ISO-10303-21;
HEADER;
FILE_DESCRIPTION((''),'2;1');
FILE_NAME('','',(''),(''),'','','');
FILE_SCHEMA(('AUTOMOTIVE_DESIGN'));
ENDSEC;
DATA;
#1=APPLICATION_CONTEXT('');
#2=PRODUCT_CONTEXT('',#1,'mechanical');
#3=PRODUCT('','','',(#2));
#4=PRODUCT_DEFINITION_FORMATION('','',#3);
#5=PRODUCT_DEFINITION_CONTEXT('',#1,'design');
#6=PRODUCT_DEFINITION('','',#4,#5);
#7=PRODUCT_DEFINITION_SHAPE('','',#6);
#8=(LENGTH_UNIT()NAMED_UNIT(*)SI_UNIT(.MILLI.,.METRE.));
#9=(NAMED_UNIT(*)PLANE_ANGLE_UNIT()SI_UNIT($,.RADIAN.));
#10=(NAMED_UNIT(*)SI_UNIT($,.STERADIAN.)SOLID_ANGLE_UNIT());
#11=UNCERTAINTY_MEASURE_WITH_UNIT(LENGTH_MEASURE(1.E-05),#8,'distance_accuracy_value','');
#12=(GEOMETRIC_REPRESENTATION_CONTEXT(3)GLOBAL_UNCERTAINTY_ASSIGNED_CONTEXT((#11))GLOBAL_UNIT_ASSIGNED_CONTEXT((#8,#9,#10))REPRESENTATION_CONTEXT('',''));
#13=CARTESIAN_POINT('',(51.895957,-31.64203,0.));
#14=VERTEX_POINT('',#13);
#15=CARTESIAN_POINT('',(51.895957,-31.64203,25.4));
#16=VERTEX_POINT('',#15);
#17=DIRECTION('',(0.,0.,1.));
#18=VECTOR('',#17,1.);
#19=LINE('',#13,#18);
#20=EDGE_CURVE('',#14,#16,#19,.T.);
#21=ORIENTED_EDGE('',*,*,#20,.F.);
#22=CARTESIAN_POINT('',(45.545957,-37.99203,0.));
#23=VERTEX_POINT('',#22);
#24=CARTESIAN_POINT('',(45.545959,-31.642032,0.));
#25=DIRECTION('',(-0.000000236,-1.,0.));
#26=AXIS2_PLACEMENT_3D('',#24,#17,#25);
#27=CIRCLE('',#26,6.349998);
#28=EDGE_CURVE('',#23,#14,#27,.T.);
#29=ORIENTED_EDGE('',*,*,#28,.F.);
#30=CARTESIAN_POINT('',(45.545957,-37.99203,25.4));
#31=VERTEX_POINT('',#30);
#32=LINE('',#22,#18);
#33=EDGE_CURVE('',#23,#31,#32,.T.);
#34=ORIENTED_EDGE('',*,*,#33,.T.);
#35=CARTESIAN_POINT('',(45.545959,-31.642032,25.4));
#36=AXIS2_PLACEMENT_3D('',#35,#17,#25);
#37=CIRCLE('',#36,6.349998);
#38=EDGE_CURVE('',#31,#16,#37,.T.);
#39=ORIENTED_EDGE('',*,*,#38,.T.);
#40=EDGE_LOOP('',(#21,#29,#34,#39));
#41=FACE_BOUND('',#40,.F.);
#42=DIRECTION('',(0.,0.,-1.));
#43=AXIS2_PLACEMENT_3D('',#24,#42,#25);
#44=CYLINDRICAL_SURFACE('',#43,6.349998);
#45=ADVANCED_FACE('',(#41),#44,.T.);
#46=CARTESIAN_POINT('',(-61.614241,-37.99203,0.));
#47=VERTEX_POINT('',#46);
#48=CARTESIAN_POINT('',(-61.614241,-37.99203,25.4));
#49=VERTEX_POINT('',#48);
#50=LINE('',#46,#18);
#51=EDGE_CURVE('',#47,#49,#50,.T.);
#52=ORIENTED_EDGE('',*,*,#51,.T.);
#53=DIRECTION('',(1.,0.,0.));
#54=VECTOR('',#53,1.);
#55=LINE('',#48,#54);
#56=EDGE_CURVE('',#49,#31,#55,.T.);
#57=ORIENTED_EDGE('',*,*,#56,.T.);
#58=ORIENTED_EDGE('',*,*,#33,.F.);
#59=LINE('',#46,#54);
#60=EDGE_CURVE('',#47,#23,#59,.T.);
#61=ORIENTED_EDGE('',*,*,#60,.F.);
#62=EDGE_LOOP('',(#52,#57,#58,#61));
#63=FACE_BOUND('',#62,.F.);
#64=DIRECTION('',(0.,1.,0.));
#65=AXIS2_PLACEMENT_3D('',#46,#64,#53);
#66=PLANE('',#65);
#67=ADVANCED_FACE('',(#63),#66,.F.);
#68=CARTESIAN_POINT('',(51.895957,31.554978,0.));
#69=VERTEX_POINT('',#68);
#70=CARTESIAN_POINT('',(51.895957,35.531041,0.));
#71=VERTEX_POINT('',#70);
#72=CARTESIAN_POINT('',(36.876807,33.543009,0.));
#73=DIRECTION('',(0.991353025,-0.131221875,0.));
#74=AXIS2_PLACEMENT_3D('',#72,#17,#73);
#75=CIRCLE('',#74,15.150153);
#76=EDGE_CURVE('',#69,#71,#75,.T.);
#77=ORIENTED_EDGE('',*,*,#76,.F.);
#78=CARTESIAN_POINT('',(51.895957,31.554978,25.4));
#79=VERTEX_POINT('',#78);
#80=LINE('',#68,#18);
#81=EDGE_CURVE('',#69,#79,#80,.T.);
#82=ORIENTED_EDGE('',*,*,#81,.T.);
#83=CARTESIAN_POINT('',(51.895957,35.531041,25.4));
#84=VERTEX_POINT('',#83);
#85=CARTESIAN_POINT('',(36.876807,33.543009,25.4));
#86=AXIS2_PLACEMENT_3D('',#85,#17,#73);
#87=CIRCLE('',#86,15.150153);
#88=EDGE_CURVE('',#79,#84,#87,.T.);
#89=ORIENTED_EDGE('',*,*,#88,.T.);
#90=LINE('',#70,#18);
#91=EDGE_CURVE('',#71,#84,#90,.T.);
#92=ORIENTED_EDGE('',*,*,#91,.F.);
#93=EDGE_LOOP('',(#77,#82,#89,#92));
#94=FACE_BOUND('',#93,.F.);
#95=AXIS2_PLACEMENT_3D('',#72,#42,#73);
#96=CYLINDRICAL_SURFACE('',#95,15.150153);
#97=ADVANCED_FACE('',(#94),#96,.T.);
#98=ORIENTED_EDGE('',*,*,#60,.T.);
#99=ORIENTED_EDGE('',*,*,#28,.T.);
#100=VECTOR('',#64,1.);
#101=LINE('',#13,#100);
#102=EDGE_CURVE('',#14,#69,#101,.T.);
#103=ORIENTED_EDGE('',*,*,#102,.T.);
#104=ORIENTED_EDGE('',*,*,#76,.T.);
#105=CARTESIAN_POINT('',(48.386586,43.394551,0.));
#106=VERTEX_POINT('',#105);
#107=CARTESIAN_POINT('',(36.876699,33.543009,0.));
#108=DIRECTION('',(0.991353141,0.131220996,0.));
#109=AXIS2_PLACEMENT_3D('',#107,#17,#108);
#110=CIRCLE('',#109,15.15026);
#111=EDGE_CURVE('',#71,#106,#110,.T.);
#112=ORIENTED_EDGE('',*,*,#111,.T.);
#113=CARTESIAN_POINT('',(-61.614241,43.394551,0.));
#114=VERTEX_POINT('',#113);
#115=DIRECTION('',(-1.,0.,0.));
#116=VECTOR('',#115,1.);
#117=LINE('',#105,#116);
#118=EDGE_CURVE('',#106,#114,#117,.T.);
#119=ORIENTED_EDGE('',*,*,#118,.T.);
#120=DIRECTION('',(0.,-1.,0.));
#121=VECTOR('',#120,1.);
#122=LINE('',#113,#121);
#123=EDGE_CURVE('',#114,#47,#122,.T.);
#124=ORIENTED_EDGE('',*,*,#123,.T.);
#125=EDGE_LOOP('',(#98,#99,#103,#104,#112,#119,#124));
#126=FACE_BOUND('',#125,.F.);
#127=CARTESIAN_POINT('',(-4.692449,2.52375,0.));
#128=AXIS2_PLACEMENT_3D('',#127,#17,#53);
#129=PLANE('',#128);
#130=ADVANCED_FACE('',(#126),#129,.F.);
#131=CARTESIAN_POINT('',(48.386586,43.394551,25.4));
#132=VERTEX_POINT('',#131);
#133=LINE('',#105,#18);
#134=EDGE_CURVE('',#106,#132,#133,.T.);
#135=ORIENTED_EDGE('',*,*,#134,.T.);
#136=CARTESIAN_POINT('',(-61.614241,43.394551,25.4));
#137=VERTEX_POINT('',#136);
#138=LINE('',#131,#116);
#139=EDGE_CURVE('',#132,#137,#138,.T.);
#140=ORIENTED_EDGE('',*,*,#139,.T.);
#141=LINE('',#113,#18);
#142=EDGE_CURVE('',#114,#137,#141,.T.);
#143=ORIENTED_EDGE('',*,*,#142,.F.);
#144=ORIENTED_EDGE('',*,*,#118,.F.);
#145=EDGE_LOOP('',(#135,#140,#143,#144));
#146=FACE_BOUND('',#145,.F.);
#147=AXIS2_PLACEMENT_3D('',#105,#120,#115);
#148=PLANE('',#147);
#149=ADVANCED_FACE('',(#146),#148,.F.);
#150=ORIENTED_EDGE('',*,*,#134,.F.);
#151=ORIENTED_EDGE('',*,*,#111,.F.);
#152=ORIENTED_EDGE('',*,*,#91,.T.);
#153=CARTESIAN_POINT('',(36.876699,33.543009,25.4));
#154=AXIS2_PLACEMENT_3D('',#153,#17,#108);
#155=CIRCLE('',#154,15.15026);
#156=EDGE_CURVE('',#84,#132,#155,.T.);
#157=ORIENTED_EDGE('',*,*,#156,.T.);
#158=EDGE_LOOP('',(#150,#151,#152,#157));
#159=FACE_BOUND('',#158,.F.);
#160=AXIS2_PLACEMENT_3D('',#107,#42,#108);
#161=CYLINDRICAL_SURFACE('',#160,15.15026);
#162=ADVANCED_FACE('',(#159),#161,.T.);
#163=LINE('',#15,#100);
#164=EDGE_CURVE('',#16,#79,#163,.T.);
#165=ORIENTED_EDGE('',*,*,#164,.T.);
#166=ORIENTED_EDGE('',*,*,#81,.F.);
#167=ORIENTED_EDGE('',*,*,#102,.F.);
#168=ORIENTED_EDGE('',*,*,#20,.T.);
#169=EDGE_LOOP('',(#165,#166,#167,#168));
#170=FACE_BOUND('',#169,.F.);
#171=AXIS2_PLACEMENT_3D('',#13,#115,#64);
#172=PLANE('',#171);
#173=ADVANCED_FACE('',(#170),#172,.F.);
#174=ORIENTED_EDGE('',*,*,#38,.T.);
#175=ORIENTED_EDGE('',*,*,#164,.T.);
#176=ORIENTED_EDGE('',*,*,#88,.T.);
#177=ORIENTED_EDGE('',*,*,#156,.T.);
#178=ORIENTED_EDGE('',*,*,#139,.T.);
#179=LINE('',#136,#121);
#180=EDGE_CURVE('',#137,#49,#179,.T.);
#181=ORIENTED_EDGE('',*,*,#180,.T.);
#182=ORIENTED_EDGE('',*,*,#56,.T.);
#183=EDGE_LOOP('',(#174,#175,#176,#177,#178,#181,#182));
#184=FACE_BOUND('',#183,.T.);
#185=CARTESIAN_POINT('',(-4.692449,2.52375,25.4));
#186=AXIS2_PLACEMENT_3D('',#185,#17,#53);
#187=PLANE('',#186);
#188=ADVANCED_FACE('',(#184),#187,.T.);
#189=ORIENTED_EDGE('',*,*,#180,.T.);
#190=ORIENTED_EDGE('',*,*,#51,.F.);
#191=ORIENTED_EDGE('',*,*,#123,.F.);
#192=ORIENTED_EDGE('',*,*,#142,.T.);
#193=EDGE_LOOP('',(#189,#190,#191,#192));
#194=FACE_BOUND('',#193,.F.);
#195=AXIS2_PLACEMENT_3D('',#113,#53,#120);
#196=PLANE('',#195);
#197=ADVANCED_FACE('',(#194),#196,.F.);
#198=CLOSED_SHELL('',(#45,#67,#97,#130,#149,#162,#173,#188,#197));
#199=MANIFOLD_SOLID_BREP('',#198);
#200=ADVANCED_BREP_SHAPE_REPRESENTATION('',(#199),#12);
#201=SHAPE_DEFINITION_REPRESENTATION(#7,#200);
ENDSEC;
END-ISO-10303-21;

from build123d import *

# Parameters (mm, degrees)
F1_DEPTH = 25.4


with BuildPart() as f1:
    # F0 (on Top) → F1 (new body)
    with BuildSketch(Plane.XY):
        with BuildLine():
            Line((25.366824, 43.394551), (-61.614241, 43.394551))
            Line((-61.614241, 43.394551), (-61.614241, -37.99203))
            Line((-61.614241, -37.99203), (45.545957, -37.99203))
            ThreePointArc((45.545957, -37.99203), (50.036086, -36.132158), (51.895957, -31.64203))
            Line((51.895957, -31.64203), (51.895957, 31.554978))
            ThreePointArc((51.895957, 31.554978), (30.702339, 19.708002), (25.366824, 43.394551))
        make_face()
        with BuildLine():
            Line((48.386586, 43.394551), (25.366824, 43.394551))
            ThreePointArc((25.366824, 43.394551), (30.702339, 19.708002), (51.895957, 31.554978))
            Line((51.895957, 31.554978), (51.895957, 35.531041))
            ThreePointArc((51.895957, 35.531041), (50.711712, 39.717375), (48.386586, 43.394551))
        make_face()
        with BuildLine():
            Line((51.895957, 35.531041), (51.895957, 31.554978))
            ThreePointArc((51.895957, 31.554978), (52.02696, 33.543009), (51.895957, 35.531041))
        make_face()
    extrude(amount=F1_DEPTH)


solid = f1.part
